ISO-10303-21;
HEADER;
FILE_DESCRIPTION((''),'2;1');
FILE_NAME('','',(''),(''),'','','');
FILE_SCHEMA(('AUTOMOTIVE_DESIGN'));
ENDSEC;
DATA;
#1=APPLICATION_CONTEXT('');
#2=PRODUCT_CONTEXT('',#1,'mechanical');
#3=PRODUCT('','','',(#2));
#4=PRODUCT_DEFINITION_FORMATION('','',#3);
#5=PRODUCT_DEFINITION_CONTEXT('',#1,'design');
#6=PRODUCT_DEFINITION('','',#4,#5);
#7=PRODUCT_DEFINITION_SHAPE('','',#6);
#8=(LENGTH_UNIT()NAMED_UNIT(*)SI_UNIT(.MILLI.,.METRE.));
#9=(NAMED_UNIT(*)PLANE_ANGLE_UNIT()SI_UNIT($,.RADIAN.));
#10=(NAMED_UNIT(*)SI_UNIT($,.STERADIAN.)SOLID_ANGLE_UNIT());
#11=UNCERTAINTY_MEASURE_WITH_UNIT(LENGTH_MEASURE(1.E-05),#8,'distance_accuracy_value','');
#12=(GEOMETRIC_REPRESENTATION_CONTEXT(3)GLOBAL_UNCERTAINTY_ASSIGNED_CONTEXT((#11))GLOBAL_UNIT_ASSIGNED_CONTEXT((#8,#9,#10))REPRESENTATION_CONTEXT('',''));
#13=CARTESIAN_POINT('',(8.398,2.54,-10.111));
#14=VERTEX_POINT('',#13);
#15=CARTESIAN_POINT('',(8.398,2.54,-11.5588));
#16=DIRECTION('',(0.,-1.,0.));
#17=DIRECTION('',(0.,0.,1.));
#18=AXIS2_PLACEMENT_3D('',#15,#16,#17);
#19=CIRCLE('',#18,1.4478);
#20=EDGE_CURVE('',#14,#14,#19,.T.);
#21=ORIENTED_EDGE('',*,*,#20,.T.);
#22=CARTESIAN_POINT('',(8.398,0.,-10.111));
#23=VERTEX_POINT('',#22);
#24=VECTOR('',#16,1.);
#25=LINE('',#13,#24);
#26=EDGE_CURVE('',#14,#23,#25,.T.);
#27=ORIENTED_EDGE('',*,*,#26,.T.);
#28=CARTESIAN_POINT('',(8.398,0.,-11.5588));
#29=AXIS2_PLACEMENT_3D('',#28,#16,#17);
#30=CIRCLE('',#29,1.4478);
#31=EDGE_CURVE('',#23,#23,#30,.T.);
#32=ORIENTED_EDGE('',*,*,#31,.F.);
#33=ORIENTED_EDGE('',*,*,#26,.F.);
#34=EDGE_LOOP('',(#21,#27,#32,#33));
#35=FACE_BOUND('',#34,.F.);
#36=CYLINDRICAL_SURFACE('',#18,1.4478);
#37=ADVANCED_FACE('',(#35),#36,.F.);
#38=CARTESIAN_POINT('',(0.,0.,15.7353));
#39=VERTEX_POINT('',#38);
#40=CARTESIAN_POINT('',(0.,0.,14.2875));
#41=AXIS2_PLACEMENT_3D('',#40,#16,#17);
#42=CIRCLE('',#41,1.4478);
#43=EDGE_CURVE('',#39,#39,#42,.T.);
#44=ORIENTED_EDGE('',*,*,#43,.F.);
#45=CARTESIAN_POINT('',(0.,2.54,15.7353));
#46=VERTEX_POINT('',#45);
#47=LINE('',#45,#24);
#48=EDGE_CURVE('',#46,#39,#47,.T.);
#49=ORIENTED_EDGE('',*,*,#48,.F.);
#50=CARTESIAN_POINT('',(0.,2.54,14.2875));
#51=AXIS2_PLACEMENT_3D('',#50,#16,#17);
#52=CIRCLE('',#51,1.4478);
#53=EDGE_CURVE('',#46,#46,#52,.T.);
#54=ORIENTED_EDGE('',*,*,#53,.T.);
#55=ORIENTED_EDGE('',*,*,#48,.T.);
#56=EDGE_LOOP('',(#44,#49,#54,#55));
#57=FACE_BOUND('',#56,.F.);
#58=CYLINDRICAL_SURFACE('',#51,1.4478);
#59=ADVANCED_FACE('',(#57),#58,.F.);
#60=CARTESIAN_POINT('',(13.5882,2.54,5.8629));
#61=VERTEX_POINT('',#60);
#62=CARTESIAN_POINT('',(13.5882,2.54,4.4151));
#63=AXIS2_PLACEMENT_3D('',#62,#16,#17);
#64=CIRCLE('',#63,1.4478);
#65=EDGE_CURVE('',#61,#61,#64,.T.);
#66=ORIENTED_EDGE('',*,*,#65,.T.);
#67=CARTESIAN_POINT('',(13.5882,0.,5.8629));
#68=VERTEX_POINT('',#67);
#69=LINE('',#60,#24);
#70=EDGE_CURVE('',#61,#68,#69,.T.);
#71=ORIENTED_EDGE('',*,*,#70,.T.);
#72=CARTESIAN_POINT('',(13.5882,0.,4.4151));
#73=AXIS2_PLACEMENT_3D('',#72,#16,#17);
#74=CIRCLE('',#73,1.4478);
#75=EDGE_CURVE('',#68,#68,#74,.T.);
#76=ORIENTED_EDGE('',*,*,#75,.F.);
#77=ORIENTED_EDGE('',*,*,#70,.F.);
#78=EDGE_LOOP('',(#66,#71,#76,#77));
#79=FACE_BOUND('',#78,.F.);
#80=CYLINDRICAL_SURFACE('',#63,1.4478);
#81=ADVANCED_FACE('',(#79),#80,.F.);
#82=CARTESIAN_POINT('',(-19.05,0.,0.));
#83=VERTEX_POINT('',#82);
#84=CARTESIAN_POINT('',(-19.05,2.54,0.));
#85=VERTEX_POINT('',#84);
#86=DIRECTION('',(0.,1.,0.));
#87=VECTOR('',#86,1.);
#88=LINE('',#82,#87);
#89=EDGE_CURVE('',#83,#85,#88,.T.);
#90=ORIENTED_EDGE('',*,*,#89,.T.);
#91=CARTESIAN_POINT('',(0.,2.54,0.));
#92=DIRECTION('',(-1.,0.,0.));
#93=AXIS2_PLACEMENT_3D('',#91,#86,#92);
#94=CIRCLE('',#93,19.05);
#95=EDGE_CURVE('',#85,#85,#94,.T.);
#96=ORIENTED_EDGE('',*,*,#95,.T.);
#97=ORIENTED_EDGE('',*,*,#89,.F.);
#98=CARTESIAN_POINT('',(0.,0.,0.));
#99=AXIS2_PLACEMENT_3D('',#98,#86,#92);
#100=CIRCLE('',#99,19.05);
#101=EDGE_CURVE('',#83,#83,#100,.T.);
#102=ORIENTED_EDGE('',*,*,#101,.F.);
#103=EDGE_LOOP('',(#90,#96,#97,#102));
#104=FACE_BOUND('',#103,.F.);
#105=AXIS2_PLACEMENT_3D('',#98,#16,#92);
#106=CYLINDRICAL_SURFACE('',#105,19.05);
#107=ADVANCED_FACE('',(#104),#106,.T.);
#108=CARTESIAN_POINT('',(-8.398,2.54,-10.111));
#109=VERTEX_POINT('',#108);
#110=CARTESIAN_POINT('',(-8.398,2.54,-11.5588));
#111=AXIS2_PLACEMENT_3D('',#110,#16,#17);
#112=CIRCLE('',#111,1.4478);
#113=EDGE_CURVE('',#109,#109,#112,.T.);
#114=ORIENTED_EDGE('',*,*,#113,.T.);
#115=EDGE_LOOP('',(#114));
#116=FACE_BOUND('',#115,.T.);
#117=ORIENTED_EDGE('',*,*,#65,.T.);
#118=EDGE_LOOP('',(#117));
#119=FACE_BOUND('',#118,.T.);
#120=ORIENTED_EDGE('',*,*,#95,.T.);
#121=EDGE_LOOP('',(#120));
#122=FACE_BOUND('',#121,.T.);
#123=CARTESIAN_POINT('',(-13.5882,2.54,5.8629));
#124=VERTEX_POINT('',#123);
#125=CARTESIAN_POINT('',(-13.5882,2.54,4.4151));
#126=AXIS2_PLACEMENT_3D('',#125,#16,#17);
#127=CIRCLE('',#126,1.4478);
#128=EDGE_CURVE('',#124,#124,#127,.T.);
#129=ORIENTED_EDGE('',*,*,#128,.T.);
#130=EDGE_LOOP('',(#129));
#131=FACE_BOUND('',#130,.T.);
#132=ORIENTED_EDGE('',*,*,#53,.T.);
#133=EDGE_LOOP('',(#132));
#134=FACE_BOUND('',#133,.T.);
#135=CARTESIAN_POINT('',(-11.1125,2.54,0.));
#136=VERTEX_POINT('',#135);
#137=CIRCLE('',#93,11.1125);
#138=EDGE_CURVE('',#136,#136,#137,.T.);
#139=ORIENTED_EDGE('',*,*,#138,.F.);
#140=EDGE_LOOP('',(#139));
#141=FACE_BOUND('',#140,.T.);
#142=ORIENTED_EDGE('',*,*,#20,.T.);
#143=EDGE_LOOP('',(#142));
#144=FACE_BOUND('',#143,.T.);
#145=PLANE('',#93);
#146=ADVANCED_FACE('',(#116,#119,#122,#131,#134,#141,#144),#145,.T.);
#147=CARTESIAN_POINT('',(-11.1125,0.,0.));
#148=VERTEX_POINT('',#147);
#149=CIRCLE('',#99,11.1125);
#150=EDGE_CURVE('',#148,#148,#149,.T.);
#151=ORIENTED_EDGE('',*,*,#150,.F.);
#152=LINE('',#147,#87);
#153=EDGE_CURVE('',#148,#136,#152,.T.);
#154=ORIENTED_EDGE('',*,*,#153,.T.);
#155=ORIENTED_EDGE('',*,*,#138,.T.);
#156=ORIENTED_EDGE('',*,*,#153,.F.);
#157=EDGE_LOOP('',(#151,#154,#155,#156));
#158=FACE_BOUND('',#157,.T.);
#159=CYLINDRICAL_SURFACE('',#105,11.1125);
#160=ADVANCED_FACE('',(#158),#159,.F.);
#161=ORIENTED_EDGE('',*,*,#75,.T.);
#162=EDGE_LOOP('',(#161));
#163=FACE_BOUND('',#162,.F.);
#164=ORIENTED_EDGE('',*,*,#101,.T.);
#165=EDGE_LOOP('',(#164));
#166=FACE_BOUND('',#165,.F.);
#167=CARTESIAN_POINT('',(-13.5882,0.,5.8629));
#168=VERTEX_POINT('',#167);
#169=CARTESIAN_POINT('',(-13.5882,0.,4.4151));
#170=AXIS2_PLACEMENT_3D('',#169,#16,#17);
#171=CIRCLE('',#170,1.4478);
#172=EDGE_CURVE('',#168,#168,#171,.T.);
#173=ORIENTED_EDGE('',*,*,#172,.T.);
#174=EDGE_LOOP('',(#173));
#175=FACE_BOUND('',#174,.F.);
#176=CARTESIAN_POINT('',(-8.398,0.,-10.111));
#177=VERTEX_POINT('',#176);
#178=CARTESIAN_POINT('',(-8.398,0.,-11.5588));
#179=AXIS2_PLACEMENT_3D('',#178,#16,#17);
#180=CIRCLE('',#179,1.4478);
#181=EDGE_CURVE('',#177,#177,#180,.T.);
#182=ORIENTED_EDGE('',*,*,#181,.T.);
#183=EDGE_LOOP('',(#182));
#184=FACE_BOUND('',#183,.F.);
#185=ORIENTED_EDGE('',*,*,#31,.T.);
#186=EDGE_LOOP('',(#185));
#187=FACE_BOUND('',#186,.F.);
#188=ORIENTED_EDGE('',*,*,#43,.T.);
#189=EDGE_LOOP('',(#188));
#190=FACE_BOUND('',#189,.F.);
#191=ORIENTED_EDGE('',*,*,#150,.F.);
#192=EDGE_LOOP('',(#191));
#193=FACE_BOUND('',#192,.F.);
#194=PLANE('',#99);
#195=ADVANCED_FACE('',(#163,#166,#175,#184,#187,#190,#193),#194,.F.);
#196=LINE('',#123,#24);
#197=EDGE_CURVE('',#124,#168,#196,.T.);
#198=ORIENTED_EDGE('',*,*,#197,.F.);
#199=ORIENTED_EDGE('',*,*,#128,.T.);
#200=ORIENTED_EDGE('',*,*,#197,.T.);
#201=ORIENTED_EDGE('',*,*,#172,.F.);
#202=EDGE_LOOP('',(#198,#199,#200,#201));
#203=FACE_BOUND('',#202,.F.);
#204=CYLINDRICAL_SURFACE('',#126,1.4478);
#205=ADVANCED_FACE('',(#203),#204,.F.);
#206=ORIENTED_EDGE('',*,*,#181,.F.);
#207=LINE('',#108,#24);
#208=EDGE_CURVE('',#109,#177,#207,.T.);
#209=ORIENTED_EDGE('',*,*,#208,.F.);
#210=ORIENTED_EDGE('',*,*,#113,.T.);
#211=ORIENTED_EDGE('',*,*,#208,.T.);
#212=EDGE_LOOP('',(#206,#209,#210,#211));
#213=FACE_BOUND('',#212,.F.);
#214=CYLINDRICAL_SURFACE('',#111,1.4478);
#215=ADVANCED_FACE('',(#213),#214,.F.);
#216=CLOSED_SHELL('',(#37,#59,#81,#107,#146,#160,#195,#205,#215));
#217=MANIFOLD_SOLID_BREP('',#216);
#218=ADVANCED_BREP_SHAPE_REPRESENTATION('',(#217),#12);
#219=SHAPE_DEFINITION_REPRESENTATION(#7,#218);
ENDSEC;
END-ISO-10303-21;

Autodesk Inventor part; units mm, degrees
ref_plane "YZ Plane" through (0, 0, 0) normal (1, 0, 0) x (0, 1, 0)
ref_plane "XZ Plane" through (0, 0, 0) normal (0, 1, 0) x (-1, 0, 0)
ref_plane "XY Plane" through (0, 0, 0) normal (0, 0, 1) x (1, 0, 0)
sketch "Sketch1" plane through (0, 0, 0) normal (0, 1, 0) x (-1, 0, 0)
  circle A0 centre (0, 0) radius 19.05
  circle A1 centre (0, 0) radius 11.1125
  dimension "d0" = 38.1
  dimension "d1" = 22.225
extrude "Extrusion1" add sketch "Sketch1" along normal blind 2.54
sketch "Sketch2" plane through (0, 2.54, 0) normal (0, 1, 0) x (1, 0, 0)
  line L0 (0, 0) -> (0, -14.2875)
  line L1 (0, -14.2875) -> (-13.5882, -4.4151)
  line L2 (-13.5882, -4.4151) -> (-8.398, 11.5588)
  line L3 (-8.398, 11.5588) -> (8.398, 11.5588)
  line L4 (8.398, 11.5588) -> (13.5882, -4.4151)
  line L5 (13.5882, -4.4151) -> (0, -14.2875)
  dimension "d4" = 14.2875
hole "Hole1" at (0, 2.54, 14.2875) at (-13.5882, 2.54, 4.4151) at (-8.398, 2.54, -11.5588) at (8.398, 2.54, -11.5588) at (13.5882, 2.54, 4.4151) direction (0, -1, 0) diameter 2.8956 end through all clearance for "Socket Head Cap Screw ISO 4762" size "M2.5" standard "ISO"
properties part number "wheel-drill-template"
